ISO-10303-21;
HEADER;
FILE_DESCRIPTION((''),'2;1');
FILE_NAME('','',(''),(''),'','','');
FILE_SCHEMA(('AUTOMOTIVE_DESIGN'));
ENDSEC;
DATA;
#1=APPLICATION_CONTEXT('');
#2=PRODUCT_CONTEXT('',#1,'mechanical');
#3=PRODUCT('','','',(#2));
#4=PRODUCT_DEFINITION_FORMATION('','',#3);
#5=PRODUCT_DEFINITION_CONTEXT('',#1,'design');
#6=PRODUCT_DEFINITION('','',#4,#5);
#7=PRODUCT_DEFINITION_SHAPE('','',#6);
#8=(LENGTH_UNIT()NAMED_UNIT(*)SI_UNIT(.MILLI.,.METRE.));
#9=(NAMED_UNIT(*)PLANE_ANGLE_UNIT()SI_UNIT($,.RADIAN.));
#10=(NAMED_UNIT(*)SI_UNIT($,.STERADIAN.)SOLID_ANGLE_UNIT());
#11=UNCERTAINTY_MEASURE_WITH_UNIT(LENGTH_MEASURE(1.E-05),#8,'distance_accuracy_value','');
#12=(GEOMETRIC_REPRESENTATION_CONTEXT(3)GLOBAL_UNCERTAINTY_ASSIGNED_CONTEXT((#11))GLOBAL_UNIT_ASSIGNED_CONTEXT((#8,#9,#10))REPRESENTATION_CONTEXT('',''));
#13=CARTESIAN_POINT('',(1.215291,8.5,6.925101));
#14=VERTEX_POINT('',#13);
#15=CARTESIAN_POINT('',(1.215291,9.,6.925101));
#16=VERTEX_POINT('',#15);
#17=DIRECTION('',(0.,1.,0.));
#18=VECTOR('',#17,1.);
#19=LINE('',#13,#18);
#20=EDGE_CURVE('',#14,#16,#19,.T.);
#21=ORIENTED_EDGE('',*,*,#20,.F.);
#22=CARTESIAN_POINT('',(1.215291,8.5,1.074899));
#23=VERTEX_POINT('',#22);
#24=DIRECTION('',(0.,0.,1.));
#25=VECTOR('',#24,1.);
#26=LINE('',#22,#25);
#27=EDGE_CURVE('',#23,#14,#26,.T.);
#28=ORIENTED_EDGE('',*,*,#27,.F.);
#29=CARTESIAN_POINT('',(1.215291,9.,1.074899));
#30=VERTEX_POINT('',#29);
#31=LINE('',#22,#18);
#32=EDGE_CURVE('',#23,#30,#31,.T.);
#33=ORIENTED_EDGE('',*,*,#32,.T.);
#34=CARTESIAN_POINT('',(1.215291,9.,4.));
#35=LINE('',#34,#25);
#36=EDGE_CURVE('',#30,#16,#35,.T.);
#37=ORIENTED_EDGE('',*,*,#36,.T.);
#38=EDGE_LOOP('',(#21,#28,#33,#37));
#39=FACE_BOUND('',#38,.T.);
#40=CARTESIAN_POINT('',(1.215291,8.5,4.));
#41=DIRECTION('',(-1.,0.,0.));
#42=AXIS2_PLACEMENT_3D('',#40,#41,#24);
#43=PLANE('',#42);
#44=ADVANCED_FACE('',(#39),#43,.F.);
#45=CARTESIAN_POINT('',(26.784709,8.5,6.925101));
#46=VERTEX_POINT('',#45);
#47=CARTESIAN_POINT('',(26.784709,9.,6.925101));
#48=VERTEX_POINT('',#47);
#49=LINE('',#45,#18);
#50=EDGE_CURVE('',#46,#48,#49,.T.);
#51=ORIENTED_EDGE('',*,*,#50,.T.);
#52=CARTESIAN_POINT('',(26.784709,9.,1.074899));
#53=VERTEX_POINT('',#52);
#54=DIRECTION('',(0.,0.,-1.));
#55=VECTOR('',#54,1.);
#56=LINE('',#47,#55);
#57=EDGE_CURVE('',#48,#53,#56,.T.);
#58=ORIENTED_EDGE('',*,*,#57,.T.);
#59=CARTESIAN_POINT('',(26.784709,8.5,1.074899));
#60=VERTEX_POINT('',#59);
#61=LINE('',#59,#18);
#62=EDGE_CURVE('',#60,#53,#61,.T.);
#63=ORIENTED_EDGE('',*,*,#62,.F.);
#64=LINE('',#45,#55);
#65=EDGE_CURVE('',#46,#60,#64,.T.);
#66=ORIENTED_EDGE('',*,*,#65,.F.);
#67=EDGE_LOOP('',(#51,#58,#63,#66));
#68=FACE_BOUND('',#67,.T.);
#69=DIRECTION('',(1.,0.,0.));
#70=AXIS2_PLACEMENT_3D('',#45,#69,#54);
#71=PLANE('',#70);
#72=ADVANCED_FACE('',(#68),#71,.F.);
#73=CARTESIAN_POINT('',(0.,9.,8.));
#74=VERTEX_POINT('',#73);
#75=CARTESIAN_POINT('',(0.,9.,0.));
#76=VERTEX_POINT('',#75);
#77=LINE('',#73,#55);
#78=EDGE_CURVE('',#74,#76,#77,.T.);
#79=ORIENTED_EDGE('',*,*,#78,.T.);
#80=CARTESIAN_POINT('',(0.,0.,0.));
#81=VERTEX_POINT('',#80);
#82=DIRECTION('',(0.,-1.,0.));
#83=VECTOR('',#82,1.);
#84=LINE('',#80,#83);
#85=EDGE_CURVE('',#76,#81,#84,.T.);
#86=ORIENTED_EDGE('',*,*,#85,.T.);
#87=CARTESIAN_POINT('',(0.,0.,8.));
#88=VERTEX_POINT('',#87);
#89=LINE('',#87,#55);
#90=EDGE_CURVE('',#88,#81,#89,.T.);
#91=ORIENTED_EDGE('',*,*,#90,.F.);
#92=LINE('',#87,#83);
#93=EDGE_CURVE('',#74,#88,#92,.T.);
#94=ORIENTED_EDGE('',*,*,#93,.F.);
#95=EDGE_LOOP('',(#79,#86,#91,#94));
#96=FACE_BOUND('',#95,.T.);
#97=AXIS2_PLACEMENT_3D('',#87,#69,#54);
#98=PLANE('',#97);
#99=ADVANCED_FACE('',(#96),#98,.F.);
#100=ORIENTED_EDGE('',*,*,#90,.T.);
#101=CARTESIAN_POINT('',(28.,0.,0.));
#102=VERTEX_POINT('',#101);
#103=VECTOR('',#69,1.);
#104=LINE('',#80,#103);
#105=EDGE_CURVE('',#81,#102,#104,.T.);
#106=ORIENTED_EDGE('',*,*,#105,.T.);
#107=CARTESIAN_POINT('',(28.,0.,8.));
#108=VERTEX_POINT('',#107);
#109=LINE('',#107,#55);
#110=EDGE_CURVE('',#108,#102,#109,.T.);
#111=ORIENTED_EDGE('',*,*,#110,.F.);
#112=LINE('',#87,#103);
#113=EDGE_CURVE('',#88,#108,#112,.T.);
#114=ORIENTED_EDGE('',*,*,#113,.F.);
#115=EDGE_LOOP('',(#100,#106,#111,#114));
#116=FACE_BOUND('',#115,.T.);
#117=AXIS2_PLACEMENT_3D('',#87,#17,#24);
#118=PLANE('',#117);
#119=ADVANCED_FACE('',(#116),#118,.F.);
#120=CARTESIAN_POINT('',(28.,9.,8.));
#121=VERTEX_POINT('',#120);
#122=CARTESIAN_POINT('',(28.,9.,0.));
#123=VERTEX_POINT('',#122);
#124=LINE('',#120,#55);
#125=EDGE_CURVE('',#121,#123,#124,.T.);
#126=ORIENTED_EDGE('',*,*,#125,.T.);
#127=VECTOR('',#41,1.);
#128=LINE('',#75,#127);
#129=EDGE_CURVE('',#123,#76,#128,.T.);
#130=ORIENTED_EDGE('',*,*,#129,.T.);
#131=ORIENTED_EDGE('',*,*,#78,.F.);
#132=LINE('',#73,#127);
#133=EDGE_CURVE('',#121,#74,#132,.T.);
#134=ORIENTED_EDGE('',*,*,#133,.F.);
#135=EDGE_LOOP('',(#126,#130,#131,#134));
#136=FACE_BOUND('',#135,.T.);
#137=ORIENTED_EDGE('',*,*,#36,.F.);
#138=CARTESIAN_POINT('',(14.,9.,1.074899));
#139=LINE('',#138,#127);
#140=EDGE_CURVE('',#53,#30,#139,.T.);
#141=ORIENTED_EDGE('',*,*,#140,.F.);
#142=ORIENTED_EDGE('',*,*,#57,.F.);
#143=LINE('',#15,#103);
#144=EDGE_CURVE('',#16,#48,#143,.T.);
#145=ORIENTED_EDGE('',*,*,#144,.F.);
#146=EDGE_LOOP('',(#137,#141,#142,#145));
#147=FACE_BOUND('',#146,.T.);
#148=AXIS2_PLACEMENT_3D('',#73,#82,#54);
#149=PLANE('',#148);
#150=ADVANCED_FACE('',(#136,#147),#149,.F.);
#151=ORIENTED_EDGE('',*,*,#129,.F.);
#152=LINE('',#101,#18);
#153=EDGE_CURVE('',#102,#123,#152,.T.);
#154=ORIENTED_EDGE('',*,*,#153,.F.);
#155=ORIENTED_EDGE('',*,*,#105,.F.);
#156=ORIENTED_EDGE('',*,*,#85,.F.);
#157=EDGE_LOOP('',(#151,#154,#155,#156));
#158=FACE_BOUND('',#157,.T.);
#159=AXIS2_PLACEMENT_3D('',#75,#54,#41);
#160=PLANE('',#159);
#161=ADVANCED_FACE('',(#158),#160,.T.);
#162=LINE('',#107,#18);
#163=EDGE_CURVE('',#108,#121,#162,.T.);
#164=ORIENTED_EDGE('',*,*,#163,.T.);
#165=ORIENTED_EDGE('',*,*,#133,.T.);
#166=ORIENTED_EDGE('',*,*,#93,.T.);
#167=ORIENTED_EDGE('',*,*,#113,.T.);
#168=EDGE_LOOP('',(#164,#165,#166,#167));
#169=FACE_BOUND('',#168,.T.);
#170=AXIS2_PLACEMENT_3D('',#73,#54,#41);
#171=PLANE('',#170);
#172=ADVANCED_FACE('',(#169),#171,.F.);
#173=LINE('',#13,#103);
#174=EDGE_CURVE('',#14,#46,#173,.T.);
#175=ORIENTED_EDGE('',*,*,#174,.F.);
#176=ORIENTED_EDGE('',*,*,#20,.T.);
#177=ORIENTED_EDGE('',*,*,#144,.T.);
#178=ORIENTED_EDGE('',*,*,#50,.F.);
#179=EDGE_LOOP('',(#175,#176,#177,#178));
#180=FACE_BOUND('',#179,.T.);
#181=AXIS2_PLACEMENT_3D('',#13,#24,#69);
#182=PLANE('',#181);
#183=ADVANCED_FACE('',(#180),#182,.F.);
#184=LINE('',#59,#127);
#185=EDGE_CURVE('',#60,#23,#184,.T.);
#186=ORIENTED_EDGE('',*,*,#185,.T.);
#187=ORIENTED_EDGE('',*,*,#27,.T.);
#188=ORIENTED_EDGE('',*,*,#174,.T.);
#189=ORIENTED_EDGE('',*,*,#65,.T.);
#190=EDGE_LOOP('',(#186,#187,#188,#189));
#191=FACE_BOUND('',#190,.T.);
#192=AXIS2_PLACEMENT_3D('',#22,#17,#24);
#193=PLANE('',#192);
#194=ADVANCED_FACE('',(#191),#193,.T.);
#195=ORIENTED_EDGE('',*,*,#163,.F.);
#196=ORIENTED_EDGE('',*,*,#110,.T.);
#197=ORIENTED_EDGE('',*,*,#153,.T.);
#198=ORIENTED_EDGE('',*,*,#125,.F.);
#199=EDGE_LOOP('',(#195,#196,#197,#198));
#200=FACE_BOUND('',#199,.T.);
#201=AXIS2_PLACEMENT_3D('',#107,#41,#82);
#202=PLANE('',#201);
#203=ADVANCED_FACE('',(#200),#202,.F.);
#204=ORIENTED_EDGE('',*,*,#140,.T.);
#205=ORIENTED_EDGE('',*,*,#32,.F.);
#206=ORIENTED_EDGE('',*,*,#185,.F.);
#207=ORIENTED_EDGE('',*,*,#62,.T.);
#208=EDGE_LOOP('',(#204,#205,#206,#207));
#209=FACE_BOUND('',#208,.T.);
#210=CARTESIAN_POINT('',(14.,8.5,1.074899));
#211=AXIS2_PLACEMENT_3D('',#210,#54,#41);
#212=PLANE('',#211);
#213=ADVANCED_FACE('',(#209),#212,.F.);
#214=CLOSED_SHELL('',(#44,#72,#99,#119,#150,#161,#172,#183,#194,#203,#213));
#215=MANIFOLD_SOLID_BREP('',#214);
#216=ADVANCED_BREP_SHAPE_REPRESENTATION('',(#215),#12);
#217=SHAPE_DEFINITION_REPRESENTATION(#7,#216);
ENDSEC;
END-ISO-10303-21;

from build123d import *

# Parameters (mm, degrees)
SKETCH1_W           = 28
SKETCH1_H           = 9
BOSS_EXTRUDE1_DEPTH = 8
CUT_EXTRUDE1_DEPTH  = 0.5


with BuildPart() as part:
    # Sketch1 → Boss-Extrude1 (new body)
    with BuildSketch(Plane.XY):
        with Locations((14, 4.5)):
            Rectangle(SKETCH1_W, SKETCH1_H)
    extrude(amount=BOSS_EXTRUDE1_DEPTH)

    # Sketch2 → Cut-Extrude1 (cut)
    with BuildSketch(Plane(origin=(0, 9, 0), x_dir=(1, 0, 0), z_dir=(0, 1, 0))):
        Polygon((14, -1.074899), (1.215291321, -1.074899), (1.215291321, -4), (1.215291321, -6.925101), (26.784708679, -6.925101), (26.784708679, -1.074899), align=None)
    extrude(amount=-CUT_EXTRUDE1_DEPTH, mode=Mode.SUBTRACT)


solid = part.part
